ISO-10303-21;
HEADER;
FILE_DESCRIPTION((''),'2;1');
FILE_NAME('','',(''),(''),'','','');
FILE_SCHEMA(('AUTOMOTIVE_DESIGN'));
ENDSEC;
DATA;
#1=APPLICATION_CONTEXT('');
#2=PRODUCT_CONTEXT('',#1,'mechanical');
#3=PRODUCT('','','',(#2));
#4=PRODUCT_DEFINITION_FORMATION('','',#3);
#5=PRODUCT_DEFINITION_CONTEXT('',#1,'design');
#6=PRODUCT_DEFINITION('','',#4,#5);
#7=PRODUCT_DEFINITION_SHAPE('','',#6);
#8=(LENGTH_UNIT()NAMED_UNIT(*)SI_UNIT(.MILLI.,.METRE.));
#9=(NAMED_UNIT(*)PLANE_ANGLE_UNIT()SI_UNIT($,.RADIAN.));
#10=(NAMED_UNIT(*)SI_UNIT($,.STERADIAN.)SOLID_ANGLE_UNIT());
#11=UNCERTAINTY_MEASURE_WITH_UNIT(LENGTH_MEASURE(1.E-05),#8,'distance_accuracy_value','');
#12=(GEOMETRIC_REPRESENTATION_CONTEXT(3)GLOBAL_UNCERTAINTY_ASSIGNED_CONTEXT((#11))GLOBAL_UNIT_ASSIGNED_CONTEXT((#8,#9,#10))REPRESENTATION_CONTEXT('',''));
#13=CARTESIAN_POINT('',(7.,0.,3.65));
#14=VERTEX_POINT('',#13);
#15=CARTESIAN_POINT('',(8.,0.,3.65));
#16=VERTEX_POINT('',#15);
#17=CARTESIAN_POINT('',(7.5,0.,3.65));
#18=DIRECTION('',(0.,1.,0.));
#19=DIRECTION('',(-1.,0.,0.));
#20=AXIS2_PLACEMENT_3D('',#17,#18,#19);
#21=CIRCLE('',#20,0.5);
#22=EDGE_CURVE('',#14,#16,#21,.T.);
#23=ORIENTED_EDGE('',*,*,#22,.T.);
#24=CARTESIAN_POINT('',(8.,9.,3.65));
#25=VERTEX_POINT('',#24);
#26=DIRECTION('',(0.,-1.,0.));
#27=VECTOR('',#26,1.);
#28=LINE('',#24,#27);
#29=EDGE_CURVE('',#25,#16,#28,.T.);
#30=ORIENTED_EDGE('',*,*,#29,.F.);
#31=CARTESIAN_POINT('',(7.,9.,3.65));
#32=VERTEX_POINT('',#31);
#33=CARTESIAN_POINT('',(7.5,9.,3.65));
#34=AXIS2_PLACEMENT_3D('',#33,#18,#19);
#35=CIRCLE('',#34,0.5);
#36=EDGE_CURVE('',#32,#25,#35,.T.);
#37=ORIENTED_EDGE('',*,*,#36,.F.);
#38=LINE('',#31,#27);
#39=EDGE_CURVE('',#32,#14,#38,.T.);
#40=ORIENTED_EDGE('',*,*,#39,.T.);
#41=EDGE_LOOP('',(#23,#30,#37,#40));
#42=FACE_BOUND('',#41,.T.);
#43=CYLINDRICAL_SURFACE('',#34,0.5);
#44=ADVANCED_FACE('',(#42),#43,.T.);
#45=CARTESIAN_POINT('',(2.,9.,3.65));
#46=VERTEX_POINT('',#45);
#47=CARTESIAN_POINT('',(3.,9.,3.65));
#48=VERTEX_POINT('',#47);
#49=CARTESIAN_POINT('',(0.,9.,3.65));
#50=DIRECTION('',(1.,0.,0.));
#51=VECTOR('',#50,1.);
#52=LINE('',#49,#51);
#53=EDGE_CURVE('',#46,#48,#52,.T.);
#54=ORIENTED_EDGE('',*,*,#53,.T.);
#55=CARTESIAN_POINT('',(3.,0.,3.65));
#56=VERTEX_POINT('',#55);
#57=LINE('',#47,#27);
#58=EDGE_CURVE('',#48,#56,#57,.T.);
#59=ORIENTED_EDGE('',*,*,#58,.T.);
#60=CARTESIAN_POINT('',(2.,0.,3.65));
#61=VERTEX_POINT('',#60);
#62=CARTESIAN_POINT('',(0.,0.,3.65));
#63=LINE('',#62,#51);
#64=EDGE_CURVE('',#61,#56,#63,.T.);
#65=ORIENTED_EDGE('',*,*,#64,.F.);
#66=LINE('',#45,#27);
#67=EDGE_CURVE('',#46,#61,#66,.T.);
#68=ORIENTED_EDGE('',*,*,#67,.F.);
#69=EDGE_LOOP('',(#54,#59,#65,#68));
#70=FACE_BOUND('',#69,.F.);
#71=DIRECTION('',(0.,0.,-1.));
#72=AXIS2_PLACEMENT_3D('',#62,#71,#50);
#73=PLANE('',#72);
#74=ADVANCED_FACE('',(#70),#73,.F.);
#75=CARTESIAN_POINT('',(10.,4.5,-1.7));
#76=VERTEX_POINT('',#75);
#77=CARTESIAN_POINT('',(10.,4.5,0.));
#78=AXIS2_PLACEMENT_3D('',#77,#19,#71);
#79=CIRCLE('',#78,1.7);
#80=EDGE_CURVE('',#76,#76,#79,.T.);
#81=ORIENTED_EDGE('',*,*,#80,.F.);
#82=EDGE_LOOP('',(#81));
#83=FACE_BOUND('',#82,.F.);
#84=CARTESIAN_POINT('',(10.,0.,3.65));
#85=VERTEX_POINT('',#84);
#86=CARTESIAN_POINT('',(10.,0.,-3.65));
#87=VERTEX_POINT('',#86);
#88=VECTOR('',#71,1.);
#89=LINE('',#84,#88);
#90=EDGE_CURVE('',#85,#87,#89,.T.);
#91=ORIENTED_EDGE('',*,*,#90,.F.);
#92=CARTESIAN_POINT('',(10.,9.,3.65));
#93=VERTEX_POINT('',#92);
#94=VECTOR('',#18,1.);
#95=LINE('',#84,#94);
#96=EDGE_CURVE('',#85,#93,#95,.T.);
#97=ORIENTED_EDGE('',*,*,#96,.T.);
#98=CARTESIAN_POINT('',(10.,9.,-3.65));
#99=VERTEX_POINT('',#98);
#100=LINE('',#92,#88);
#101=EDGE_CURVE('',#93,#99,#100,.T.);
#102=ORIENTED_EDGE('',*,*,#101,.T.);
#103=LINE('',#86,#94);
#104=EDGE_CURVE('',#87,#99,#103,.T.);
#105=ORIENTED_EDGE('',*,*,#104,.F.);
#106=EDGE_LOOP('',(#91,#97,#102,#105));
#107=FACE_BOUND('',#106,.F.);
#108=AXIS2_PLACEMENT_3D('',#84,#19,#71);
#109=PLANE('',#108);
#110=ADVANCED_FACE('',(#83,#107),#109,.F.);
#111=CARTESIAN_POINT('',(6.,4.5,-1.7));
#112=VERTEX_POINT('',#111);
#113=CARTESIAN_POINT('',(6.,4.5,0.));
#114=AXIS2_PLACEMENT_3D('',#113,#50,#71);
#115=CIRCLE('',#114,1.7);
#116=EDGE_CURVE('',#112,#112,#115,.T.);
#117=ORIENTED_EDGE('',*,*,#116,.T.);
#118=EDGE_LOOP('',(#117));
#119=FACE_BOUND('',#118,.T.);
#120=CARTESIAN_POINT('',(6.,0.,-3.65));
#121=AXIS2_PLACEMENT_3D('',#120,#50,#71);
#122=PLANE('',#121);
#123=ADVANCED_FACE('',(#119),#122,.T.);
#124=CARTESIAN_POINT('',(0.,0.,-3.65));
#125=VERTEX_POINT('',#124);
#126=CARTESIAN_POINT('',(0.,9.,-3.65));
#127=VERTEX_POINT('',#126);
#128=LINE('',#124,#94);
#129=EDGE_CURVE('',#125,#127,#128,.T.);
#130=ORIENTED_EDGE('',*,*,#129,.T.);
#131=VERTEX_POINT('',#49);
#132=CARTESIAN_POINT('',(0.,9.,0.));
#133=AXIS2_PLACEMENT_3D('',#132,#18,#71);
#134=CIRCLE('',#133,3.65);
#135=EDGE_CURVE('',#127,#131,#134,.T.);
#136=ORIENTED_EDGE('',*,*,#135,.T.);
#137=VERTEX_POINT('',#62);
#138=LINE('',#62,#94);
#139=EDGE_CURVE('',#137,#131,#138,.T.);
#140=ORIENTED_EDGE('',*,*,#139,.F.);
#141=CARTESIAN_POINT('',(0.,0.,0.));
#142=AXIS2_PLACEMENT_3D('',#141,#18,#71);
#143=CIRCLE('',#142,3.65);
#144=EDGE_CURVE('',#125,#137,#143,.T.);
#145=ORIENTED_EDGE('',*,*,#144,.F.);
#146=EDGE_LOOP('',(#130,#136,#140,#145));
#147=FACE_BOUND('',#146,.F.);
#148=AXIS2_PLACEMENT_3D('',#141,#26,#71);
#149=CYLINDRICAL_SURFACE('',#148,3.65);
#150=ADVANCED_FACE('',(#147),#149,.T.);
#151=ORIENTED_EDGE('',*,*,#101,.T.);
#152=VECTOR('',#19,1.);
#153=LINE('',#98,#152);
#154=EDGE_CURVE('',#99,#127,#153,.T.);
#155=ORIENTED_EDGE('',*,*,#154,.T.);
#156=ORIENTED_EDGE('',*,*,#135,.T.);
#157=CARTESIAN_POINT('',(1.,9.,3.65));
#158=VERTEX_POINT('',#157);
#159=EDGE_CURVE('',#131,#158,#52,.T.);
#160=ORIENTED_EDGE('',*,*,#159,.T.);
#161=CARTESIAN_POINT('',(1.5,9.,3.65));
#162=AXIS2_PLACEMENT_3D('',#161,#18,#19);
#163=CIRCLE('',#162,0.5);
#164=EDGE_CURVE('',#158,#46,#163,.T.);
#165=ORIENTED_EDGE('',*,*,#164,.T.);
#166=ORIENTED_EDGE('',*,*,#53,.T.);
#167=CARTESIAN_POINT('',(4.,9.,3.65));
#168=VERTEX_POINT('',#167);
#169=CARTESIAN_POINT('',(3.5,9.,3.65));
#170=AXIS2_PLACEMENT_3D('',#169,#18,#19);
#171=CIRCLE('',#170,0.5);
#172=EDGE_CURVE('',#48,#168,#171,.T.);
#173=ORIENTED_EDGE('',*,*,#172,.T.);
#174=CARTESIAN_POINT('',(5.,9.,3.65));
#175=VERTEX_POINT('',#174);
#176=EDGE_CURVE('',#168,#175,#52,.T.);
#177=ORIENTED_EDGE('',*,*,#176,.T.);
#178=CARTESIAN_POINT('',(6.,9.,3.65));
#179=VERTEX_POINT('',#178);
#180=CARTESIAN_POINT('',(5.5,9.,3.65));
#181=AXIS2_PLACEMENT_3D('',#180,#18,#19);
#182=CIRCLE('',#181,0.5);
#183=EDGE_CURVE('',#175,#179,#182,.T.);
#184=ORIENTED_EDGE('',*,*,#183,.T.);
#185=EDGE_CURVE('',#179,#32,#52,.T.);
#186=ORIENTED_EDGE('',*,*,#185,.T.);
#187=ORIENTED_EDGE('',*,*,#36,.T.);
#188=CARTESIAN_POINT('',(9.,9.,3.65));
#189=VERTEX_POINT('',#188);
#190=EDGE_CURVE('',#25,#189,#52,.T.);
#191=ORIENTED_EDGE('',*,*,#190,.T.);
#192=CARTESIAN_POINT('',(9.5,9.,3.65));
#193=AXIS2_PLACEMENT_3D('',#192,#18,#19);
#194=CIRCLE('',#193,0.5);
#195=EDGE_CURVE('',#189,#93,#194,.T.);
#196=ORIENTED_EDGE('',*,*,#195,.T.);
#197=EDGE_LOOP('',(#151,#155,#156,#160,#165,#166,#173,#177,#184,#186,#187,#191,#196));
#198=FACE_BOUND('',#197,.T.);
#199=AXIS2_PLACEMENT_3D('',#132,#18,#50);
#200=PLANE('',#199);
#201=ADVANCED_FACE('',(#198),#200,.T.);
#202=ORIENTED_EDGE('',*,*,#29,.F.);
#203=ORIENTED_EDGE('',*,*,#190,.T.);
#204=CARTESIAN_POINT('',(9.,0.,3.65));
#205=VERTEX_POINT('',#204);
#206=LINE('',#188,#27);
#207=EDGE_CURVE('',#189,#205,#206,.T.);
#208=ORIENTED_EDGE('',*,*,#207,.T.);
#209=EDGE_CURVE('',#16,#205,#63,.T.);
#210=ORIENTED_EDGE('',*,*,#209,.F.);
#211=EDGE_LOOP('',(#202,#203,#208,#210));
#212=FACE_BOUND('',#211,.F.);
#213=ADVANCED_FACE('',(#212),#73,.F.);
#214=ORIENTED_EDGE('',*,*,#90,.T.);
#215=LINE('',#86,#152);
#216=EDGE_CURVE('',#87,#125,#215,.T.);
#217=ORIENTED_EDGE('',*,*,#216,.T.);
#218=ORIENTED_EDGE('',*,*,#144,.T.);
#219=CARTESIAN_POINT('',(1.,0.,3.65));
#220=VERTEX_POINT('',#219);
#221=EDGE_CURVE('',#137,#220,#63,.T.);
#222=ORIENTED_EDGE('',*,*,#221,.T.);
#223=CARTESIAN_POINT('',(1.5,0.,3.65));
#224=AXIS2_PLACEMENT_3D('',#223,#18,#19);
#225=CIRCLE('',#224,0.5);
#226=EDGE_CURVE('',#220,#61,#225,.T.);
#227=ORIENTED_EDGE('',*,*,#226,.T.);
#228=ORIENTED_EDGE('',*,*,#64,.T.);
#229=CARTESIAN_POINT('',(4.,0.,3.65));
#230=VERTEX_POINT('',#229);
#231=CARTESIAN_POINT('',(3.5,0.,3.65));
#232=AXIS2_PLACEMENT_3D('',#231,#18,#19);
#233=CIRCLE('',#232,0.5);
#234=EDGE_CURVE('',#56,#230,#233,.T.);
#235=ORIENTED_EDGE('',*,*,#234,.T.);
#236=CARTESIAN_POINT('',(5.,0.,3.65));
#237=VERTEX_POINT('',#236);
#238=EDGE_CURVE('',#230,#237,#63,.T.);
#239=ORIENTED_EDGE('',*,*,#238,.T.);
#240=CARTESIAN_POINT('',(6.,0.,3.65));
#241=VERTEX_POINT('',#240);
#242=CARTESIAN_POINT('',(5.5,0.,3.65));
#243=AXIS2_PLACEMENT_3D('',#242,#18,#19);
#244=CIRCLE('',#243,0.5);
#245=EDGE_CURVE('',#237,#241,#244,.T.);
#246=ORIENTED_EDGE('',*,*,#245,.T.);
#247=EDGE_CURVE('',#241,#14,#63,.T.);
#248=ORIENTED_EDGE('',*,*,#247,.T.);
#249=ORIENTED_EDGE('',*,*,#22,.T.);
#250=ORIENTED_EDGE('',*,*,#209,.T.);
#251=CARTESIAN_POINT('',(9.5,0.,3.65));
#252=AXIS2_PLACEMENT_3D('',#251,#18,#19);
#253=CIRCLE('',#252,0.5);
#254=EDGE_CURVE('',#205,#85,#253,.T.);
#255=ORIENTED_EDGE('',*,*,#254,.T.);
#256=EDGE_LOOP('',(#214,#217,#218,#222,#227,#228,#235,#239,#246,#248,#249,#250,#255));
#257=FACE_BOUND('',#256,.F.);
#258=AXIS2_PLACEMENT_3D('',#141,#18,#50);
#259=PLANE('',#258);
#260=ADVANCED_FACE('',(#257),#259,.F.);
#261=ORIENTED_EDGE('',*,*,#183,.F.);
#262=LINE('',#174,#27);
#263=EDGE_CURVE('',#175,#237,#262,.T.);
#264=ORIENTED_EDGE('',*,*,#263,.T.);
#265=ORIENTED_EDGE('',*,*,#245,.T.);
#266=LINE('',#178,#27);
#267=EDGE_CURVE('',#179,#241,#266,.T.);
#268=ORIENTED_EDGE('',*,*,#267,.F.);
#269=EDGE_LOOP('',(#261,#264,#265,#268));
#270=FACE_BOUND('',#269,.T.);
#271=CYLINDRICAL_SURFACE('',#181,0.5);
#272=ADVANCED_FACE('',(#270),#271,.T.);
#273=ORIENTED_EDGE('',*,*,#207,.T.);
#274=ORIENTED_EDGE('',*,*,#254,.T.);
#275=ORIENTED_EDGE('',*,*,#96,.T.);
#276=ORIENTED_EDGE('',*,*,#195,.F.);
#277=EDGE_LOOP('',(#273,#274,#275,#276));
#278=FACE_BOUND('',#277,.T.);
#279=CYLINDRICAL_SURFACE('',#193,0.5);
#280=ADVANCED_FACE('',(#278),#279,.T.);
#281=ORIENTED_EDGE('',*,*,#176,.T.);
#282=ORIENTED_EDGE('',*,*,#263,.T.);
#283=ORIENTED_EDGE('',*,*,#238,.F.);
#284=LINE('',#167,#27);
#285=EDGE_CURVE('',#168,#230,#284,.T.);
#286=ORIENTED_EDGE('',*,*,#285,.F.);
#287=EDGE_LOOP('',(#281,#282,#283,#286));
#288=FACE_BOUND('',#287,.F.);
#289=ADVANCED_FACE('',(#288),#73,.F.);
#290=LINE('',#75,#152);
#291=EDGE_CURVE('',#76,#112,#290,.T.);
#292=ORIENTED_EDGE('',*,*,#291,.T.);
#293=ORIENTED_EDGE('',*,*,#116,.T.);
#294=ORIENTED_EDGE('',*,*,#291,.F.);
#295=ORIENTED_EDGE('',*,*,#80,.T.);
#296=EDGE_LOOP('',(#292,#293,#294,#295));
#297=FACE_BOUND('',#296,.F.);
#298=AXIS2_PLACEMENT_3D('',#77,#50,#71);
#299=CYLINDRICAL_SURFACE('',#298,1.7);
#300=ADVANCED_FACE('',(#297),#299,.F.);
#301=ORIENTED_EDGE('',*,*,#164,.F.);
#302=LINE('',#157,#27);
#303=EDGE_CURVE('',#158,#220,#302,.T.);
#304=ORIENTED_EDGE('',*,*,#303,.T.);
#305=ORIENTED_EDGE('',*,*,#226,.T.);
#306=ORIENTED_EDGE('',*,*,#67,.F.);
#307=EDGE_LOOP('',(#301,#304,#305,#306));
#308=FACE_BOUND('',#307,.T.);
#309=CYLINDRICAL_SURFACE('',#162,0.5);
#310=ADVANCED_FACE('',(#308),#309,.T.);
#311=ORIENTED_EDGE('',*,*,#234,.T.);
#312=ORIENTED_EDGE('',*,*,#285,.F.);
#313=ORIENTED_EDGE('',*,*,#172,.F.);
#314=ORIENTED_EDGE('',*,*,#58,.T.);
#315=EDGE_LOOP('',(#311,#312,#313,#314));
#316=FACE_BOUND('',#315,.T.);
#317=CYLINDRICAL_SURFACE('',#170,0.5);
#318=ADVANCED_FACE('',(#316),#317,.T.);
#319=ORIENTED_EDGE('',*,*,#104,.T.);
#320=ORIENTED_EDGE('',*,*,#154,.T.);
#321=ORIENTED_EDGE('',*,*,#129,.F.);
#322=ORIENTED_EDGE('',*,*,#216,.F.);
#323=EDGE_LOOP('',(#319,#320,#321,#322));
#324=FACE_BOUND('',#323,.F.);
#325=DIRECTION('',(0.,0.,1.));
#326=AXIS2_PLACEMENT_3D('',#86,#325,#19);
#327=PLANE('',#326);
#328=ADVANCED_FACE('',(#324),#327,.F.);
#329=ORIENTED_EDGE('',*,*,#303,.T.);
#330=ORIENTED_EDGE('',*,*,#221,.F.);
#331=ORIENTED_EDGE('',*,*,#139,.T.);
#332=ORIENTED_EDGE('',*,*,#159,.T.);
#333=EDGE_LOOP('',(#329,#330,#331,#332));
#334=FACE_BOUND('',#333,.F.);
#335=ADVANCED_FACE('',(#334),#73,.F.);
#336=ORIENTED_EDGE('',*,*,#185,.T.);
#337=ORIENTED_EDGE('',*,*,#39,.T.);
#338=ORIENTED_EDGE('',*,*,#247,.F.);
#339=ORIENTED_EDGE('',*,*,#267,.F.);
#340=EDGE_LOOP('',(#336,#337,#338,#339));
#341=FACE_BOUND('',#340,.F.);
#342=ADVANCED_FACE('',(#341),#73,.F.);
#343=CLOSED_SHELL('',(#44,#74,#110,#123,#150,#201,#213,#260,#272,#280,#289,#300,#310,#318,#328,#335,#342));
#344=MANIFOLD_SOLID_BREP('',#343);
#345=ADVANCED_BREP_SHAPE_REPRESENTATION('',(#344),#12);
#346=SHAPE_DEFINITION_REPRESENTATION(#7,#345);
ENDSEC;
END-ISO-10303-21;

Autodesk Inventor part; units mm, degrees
ref_plane "YZ Plane" through (0, 0, 0) normal (1, 0, 0) x (0, 1, 0)
ref_plane "XZ Plane" through (0, 0, 0) normal (0, 1, 0) x (-1, 0, 0)
ref_plane "XY Plane" through (0, 0, 0) normal (0, 0, 1) x (1, 0, 0)
sketch "Sketch1" plane through (0, 0, 0) normal (0, 1, 0) x (-1, 0, 0)
  arc A0 (0, -3.65) -> (0, 3.65) centre (0, 0) ccw
  line L0 (0, 3.65) -> (-10, 3.65)
  line L1 (-10, 3.65) -> (-10, -3.65)
  line L2 (-10, -3.65) -> (0, -3.65)
  line L3 (0, 3.65) -> (0, -3.65)
  dimension "d0" = 10
  dimension "d1" = 7.3
extrude "Extrusion1" add sketch "Sketch1" along normal blind 9
sketch "Sketch2" plane through (0, 9, 0) normal (0, 1, 0) x (1, 0, 0)
  line L0 (9, -3.65) -> (10, -3.65)
  arc A0 (9, -3.65) -> (10, -3.65) centre (9.5, -3.65) ccw
  point P0 (0, 0)
  dimension "d4" = 1
extrude "Extrusion2" add sketch "Sketch2" against normal blind 9
pattern_linear "Rectangular Pattern1" count 5 spacing 2 along (-1, 0, 0) of "Extrusion2"
sketch "Sketch3" plane through (10, 0, -3.65) normal (1, 0, 0) x (0, 0, -1)
  line L0 (-3.65, 0) -> (-3.65, 9)
  line L1 (0, 9) -> (-7.3, 9) projected
  circle A0 centre (-3.65, 4.5) radius 1.7
  dimension "d10" = 3.4
extrude "Extrusion3" cut sketch "Sketch3" against normal blind 4
properties part number "XY_Tensioner" material "ABS Plastic"
